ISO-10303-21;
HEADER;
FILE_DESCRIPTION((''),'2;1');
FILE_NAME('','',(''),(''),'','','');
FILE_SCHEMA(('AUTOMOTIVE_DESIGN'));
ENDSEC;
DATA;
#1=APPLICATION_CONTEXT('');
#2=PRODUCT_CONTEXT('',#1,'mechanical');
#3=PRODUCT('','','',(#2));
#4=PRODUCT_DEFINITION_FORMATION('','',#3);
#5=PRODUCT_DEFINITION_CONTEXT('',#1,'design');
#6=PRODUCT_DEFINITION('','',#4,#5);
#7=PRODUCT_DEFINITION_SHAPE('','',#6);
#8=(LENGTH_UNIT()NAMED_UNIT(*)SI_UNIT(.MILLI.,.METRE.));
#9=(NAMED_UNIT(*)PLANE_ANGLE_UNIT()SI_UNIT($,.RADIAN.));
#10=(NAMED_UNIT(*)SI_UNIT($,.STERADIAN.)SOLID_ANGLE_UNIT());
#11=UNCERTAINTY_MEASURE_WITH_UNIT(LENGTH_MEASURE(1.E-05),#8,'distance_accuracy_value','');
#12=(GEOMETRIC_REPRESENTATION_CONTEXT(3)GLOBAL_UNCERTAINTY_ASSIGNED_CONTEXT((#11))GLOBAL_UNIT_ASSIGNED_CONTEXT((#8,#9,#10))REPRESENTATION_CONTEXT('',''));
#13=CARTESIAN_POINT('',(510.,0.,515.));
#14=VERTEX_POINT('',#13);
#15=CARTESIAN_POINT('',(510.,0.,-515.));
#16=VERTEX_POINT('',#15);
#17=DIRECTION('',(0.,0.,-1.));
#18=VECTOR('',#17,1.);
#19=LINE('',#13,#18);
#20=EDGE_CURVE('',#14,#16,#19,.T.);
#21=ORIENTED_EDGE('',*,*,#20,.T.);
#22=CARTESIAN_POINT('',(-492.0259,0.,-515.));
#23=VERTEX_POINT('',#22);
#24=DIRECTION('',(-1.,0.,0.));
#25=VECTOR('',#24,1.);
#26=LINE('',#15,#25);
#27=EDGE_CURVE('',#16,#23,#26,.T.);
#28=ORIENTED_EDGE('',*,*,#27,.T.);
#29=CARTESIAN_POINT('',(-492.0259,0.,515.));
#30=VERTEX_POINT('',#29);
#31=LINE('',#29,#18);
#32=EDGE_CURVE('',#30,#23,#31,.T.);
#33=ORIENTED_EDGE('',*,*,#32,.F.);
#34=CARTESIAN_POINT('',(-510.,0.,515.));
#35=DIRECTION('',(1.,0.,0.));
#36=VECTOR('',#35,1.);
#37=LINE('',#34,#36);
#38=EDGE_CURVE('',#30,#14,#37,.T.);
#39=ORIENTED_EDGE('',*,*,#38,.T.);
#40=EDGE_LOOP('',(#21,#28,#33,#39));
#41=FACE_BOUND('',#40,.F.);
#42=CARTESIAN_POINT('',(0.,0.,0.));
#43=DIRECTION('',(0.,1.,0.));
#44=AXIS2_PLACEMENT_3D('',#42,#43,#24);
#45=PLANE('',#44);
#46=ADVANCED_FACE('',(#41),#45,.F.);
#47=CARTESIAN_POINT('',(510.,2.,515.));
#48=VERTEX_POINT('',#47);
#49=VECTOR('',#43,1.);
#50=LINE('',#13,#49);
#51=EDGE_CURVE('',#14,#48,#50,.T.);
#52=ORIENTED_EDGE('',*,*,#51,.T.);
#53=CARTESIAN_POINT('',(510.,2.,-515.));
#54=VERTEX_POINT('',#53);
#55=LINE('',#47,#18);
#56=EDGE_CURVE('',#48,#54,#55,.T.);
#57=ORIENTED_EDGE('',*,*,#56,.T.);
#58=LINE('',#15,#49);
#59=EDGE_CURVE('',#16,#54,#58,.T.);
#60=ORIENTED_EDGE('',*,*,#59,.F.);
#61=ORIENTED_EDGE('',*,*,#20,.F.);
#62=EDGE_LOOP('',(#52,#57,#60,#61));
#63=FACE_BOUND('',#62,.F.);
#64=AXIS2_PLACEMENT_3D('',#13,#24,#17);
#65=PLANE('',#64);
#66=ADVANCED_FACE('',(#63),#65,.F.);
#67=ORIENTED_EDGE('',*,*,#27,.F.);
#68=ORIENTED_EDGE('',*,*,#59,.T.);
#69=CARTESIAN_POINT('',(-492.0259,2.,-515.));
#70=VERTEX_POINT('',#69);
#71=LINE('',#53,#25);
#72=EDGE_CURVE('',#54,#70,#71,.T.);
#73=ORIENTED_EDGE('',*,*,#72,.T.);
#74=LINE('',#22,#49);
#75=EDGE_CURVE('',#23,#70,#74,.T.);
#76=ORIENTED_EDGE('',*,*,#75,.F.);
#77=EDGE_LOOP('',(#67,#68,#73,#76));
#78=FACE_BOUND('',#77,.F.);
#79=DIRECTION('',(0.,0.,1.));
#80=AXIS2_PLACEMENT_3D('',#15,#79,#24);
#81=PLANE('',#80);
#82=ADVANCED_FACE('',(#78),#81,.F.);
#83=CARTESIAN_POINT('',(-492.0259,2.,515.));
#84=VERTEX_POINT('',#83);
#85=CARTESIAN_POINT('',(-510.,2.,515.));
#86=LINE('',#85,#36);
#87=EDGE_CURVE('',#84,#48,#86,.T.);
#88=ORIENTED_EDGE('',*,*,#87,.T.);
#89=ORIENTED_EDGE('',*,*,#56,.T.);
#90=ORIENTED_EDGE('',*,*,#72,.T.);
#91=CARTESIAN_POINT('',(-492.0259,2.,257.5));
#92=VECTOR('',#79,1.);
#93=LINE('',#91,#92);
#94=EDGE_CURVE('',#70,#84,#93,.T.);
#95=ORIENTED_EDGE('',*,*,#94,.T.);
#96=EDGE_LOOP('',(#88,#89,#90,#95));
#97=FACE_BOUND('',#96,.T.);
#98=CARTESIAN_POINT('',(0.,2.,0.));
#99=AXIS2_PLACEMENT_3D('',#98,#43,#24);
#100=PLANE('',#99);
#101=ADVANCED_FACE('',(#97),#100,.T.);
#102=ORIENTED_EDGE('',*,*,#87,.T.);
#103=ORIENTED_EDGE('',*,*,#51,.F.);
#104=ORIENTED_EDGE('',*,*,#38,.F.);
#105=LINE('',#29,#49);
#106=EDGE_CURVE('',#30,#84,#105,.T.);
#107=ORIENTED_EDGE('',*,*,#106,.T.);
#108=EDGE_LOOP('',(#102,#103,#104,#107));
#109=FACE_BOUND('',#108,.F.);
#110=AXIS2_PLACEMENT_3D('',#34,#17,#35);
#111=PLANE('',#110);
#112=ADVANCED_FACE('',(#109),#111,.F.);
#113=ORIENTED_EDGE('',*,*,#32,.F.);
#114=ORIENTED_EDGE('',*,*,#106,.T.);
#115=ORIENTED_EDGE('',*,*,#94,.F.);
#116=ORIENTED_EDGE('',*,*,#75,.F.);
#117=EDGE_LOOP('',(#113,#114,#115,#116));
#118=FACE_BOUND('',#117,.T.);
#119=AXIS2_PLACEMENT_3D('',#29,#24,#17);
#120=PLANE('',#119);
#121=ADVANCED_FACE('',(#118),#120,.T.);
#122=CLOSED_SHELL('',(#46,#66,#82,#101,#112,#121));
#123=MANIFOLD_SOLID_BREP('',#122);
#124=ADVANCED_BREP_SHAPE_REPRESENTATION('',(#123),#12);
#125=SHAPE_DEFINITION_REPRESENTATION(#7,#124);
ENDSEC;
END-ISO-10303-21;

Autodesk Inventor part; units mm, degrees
ref_plane "YZ Plane" through (0, 0, 0) normal (1, 0, 0) x (0, 1, 0)
ref_plane "XZ Plane" through (0, 0, 0) normal (0, 1, 0) x (-1, 0, 0)
ref_plane "XY Plane" through (0, 0, 0) normal (0, 0, 1) x (1, 0, 0)
sketch "Sketch1" plane through (0, 0, 0) normal (0, 1, 0) x (-1, 0, 0)
  line L0 (510, 515) -> (-510, 515)
  line L1 (-510, 515) -> (-510, -515)
  line L2 (-510, -515) -> (510, -515)
  line L3 (510, -515) -> (510, 515)
  line L4 (510, 515) -> (-510, -515) construction
  line L5 (-510, 515) -> (510, -515) construction
  point P0 (0, 0)
  dimension "d0" = 1020
  dimension "d1" = 1030
extrude "Plate1" add sketch "Sketch1" along normal blind 2
sketch "Sketch2" plane through (0, 0, 0) normal (0, -1, 0) x (1, 0, 0)
  line L0 (-492.0259, 515) -> (-492.0259, -515) projected
  line L1 (510, 515) -> (510, -515) projected
  line L2 (-510, 515) -> (510, 515) projected
  line L3 (-510, -515) -> (-510, 515) projected
  line L4 (510, -515) -> (-510, -515) projected
  point P0 (0, 0)
extrude "Extrusion1" cut sketch "Sketch2" against normal through all contours L0 L4 L3 L2
equation "\"d2\" = Thickness"
equation "\"BendRadius\" = Thickness"
equation "\"BendReliefWidth\" = Thickness"
equation "\"BendReliefDepth\" = 0.5 * Thickness"
equation "\"CornerReliefSize\" = 4 * Thickness"
equation "\"MinimumRemnant\" = 2 * Thickness"
equation "\"TransitionRadius\" = BendRadius"
equation "\"JacobiRadiusSize\" = BendRadius"
equation "\"GapSize\" = Thickness"
equation "\"Thickness\" = 2"
properties part number "inclind sheet1"
